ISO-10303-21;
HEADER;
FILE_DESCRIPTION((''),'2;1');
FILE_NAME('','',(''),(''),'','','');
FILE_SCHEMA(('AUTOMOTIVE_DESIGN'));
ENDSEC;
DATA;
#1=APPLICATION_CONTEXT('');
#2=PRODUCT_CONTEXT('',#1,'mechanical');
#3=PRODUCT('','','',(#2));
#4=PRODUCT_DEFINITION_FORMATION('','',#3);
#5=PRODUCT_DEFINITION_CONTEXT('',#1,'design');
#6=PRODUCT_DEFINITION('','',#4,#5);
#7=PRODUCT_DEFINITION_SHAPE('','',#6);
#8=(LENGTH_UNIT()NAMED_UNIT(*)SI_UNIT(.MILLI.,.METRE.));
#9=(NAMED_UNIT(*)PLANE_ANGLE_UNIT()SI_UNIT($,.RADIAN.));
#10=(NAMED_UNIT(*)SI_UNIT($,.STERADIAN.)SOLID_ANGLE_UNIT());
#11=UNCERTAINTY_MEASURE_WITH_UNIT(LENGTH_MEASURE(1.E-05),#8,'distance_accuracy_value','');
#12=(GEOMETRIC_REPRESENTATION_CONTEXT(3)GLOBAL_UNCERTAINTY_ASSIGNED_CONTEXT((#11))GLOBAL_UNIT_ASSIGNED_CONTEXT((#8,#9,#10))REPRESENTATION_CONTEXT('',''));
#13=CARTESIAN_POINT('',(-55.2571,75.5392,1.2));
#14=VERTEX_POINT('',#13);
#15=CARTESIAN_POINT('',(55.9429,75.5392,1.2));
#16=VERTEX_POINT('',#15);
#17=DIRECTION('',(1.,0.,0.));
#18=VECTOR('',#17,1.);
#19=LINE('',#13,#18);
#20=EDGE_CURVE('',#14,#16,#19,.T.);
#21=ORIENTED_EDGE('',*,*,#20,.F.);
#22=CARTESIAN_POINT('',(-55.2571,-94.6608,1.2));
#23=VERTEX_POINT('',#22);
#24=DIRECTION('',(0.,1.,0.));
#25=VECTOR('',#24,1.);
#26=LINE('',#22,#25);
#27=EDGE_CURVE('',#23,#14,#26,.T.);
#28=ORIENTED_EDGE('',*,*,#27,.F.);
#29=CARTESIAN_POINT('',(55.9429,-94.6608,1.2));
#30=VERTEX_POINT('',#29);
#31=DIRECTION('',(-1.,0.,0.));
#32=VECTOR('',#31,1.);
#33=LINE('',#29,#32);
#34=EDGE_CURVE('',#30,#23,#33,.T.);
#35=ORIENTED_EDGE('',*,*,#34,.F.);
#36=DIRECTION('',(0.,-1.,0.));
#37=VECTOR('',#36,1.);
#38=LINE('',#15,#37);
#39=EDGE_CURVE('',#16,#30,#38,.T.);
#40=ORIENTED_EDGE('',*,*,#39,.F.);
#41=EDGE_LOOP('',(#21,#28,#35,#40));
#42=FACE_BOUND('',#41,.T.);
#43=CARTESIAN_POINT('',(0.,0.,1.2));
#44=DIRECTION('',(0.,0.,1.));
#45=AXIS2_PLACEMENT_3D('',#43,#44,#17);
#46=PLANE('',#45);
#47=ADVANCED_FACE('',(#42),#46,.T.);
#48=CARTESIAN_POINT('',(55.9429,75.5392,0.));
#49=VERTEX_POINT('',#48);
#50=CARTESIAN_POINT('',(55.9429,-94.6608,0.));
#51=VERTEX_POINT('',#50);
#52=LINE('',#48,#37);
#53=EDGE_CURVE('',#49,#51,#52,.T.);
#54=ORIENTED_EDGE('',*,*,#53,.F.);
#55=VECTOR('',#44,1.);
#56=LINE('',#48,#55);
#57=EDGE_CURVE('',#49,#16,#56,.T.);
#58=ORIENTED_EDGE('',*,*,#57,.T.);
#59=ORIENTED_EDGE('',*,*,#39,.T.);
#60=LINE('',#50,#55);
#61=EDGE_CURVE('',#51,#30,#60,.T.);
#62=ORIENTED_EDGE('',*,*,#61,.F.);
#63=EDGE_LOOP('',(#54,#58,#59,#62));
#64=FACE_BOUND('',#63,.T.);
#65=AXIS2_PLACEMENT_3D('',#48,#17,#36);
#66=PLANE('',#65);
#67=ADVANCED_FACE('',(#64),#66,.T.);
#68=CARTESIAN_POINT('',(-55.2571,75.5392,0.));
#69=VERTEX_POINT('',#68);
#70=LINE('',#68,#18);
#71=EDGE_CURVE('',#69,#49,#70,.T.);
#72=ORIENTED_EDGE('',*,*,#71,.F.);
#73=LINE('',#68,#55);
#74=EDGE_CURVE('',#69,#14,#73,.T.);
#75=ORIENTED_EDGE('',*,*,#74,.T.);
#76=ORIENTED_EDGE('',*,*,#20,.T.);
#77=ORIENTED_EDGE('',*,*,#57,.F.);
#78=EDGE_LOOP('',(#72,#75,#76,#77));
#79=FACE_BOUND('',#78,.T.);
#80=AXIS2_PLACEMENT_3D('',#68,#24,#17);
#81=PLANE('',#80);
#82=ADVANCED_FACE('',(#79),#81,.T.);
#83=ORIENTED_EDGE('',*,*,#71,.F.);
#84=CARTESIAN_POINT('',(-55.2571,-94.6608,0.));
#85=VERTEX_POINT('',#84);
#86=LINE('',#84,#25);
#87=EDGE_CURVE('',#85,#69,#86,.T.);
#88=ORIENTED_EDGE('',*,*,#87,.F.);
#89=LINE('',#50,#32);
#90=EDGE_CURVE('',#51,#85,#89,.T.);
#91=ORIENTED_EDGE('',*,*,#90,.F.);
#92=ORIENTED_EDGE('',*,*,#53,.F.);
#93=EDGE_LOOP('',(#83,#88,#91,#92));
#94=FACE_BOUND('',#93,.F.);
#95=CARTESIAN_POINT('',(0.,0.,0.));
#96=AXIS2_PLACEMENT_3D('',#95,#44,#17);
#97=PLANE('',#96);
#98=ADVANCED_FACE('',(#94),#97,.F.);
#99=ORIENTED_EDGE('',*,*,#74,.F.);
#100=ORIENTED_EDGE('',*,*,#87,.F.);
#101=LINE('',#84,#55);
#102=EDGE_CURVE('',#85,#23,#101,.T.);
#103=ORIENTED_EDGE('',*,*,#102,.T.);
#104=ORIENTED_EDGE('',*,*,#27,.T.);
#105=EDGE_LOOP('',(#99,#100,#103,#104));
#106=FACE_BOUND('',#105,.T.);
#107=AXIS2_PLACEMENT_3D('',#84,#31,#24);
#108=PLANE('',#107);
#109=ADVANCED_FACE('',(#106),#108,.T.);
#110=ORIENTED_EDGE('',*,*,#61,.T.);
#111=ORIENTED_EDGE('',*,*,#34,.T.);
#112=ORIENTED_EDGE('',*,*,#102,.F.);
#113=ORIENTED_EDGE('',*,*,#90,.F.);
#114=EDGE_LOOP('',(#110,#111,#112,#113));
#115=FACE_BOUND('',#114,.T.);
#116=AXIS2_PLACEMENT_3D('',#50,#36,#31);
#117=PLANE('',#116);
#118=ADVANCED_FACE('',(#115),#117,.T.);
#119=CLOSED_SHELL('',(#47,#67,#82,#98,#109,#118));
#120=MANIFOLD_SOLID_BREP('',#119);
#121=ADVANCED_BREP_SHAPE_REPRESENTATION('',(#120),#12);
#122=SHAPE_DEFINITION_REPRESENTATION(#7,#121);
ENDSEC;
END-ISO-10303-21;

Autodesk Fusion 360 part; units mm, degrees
sketch "Sketch1" plane through (0, 0, 0) normal (0, 0, 1) x (1, 0, 0)
  line L0 (-55.2571, 75.5392) -> (55.9429, 75.5392)
  line L1 (55.9429, 75.5392) -> (55.9429, -94.6608)
  line L2 (55.9429, -94.6608) -> (-55.2571, -94.6608)
  line L3 (-55.2571, -94.6608) -> (-55.2571, 75.5392)
  dimension "d1" = 111.2
  dimension "d2" = 170.2
extrude "Extrude1" add sketch "Sketch1" along normal blind 1.2 makes body 1
sketch "Sketch2" plane through (0, 0, 1.2) normal (0, 0, 1) x (-1, 0, 0)
  line L0 (55.2571, 94.6608) -> (-55.9429, 94.6608)
  line L1 (-55.9429, 94.6608) -> (-55.9429, -75.5392)
  line L2 (-55.9429, -75.5392) -> (55.2571, -75.5392)
  line L3 (55.2571, -75.5392) -> (55.2571, 94.6608)
sketch "Sketch3" plane through (0, 0, 1.2) normal (0, 0, 1) x (-1, 0, 0)
  line L0 (51.7571, -72.0392) -> (-46.1629, -72.0392)
  line L1 (-46.1629, -72.0392) -> (-46.1629, 91.1608)
  line L2 (-46.1629, 91.1608) -> (51.7571, 91.1608)
  line L3 (51.7571, 91.1608) -> (51.7571, -72.0392)
  line L4 (55.2571, -75.5392) -> (55.2571, 94.6608)
  line L5 (-55.9429, -75.5392) -> (55.2571, -75.5392)
  dimension "d8" = 97.92
  dimension "d9" = 163.2
  dimension "d10" = 3.5
  dimension "d11" = 3.5
sketch "Sketch5" plane through (0, 0, 0) normal (0, 0, 1) x (1, 0, 0)
  line L0 (-52.5571, 72.8392) -> (51.5329, 72.8392)
  line L1 (51.5329, -91.9608) -> (-52.5571, -91.9608)
  line L2 (-52.5571, -91.9608) -> (-52.5571, 72.8392)
  line L3 (-55.2571, 75.5392) -> (-55.2571, -94.6608)
  line L4 (55.9429, 75.5392) -> (-55.2571, 75.5392)
  line L5 (51.5329, 72.8392) -> (51.5329, 66.8392)
  line L6 (51.5329, -91.9608) -> (51.5329, -85.9608)
  line L7 (51.5329, -85.9608) -> (48.5329, -85.9608)
  line L8 (51.5329, 66.8392) -> (48.5329, 66.8392)
  line L9 (46.5329, 64.8392) -> (46.5329, -83.9608)
  arc A0 (46.5329, -83.9608) -> (48.5329, -85.9608) centre (48.5329, -83.9608) ccw
  arc A1 (48.5329, 66.8392) -> (46.5329, 64.8392) centre (48.5329, 64.8392) ccw
  line L10 (-55.2571, -94.6608) -> (55.9429, -94.6608)
  point P0 (46.5329, -85.9608)
  point P1 (46.5329, 66.8392)
  dimension "d14" = 164.8
  dimension "d15" = 104.09
  dimension "d16" = 2.7
  dimension "d17" = 2.7
  dimension "d19" = 6
  dimension "d21" = 6
  dimension "d22" = 5
  dimension "d23" = 5
  dimension "d24" = 2
sketch "Sketch12" plane through (0, 0, 0) normal (0, 0, 1) x (1, 0, 0)
  line L0 (-54.0571, 74.3392) -> (53.0329, 74.3392)
  line L1 (53.0329, -93.4608) -> (-54.0571, -93.4608)
  line L2 (-54.0571, -93.4608) -> (-54.0571, 74.3392)
  line L3 (-55.2571, -94.6608) -> (-55.2571, 75.5392)
  line L4 (-55.2571, 75.5392) -> (55.9429, 75.5392)
  line L5 (53.0329, 74.3392) -> (53.0329, 65.3392)
  line L6 (53.0329, 65.3392) -> (50.0329, 65.3392)
  line L7 (53.0329, -93.4608) -> (53.0329, -84.4608)
  line L8 (53.0329, -84.4608) -> (50.0329, -84.4608)
  line L9 (48.0329, -82.4608) -> (48.0329, 63.3392)
  arc A0 (50.0329, 65.3392) -> (48.0329, 63.3392) centre (50.0329, 63.3392) ccw
  arc A1 (48.0329, -82.4608) -> (50.0329, -84.4608) centre (50.0329, -82.4608) ccw
  point P0 (48.0329, 65.3392)
  point P1 (48.0329, -84.4608)
  dimension "d32" = 107.09
  dimension "d33" = 167.8
  dimension "d34" = 1.2
  dimension "d35" = 1.2
  dimension "d40" = 9
  dimension "d42" = 5
  dimension "d43" = 9
  dimension "d44" = 5
  dimension "d45" = 107.09
  dimension "d46" = 2
  dimension "d47" = 2
copy_body "Body->Comp1" bodies 1 removing the originals makes body 2 in component "Component"
component "Component" placed x (1, 0, 0) y (0, 1, 0) z (0, 0, 1) at (0, 0, 0)
